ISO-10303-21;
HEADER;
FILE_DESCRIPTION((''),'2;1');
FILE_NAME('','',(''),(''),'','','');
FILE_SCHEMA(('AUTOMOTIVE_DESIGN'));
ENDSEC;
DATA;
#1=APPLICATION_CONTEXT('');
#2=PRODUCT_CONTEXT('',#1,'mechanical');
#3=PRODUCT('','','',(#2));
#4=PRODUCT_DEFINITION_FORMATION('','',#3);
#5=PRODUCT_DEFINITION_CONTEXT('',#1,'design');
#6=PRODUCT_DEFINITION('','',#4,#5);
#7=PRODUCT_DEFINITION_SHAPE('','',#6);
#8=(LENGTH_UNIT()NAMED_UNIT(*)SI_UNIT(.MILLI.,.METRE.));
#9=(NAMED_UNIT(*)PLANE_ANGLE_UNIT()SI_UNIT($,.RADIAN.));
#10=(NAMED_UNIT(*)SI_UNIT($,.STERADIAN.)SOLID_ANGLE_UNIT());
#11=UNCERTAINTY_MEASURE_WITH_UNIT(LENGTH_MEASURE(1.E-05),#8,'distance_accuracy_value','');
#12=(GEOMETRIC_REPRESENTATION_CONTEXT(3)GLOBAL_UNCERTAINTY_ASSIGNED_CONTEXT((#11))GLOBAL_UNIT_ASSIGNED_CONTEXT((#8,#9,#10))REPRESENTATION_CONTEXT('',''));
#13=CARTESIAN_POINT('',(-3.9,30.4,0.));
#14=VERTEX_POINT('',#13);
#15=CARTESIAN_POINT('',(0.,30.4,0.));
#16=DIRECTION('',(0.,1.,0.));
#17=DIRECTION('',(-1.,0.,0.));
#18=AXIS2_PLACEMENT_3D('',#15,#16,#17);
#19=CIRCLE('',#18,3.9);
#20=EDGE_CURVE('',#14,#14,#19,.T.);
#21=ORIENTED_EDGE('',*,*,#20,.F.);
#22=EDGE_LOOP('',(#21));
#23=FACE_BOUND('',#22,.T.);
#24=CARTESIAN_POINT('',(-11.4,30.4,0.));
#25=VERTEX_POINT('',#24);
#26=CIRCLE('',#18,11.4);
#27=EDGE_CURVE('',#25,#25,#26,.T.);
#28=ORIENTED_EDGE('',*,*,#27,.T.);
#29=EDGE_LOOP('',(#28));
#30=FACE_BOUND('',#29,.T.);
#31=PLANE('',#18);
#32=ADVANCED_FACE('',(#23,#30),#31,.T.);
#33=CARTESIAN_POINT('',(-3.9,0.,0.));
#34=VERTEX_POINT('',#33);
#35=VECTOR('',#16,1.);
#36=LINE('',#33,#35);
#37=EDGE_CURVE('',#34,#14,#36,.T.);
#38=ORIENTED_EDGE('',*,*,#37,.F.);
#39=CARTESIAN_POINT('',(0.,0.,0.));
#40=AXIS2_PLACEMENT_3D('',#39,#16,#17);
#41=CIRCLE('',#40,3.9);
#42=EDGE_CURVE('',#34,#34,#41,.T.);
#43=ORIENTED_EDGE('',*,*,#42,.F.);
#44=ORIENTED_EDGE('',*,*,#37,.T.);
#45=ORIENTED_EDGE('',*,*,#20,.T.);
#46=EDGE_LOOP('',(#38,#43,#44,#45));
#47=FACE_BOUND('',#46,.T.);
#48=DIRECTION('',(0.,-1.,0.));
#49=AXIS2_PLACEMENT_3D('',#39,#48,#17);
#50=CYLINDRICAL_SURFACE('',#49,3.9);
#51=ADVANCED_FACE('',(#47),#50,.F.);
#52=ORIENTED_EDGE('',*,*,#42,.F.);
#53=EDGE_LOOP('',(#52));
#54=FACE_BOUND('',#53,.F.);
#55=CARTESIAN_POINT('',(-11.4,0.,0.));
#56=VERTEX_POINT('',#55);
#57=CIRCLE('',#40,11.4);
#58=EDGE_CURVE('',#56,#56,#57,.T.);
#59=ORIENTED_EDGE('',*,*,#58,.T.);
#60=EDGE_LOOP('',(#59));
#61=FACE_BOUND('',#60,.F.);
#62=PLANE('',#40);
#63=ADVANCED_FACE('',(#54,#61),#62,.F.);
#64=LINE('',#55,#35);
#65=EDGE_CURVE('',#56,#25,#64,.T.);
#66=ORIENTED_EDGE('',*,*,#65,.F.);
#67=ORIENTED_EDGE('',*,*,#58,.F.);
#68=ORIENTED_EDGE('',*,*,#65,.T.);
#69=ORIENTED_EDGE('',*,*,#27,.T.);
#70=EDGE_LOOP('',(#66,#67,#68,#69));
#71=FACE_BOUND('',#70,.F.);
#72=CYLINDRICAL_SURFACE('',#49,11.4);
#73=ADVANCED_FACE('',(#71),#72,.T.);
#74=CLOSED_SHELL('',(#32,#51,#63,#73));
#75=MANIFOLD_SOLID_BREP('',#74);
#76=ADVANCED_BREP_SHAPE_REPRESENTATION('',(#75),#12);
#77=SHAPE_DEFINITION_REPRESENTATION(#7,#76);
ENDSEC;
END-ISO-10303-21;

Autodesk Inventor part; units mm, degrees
ref_plane "YZ Plane" through (0, 0, 0) normal (1, 0, 0) x (0, 1, 0)
ref_plane "XZ Plane" through (0, 0, 0) normal (0, 1, 0) x (-1, 0, 0)
ref_plane "XY Plane" through (0, 0, 0) normal (0, 0, 1) x (1, 0, 0)
sketch "Sketch1" plane through (0, 0, 0) normal (0, 1, 0) x (-1, 0, 0)
  circle A0 centre (0, 0) radius 3.9
  circle A1 centre (0, 0) radius 11.4
  dimension "d0" = 7.8
  dimension "d1" = 7.5
extrude "Extrusion1" add sketch "Sketch1" along normal blind 30.4
properties part number "Spacer1" material "ABS Plastic"
